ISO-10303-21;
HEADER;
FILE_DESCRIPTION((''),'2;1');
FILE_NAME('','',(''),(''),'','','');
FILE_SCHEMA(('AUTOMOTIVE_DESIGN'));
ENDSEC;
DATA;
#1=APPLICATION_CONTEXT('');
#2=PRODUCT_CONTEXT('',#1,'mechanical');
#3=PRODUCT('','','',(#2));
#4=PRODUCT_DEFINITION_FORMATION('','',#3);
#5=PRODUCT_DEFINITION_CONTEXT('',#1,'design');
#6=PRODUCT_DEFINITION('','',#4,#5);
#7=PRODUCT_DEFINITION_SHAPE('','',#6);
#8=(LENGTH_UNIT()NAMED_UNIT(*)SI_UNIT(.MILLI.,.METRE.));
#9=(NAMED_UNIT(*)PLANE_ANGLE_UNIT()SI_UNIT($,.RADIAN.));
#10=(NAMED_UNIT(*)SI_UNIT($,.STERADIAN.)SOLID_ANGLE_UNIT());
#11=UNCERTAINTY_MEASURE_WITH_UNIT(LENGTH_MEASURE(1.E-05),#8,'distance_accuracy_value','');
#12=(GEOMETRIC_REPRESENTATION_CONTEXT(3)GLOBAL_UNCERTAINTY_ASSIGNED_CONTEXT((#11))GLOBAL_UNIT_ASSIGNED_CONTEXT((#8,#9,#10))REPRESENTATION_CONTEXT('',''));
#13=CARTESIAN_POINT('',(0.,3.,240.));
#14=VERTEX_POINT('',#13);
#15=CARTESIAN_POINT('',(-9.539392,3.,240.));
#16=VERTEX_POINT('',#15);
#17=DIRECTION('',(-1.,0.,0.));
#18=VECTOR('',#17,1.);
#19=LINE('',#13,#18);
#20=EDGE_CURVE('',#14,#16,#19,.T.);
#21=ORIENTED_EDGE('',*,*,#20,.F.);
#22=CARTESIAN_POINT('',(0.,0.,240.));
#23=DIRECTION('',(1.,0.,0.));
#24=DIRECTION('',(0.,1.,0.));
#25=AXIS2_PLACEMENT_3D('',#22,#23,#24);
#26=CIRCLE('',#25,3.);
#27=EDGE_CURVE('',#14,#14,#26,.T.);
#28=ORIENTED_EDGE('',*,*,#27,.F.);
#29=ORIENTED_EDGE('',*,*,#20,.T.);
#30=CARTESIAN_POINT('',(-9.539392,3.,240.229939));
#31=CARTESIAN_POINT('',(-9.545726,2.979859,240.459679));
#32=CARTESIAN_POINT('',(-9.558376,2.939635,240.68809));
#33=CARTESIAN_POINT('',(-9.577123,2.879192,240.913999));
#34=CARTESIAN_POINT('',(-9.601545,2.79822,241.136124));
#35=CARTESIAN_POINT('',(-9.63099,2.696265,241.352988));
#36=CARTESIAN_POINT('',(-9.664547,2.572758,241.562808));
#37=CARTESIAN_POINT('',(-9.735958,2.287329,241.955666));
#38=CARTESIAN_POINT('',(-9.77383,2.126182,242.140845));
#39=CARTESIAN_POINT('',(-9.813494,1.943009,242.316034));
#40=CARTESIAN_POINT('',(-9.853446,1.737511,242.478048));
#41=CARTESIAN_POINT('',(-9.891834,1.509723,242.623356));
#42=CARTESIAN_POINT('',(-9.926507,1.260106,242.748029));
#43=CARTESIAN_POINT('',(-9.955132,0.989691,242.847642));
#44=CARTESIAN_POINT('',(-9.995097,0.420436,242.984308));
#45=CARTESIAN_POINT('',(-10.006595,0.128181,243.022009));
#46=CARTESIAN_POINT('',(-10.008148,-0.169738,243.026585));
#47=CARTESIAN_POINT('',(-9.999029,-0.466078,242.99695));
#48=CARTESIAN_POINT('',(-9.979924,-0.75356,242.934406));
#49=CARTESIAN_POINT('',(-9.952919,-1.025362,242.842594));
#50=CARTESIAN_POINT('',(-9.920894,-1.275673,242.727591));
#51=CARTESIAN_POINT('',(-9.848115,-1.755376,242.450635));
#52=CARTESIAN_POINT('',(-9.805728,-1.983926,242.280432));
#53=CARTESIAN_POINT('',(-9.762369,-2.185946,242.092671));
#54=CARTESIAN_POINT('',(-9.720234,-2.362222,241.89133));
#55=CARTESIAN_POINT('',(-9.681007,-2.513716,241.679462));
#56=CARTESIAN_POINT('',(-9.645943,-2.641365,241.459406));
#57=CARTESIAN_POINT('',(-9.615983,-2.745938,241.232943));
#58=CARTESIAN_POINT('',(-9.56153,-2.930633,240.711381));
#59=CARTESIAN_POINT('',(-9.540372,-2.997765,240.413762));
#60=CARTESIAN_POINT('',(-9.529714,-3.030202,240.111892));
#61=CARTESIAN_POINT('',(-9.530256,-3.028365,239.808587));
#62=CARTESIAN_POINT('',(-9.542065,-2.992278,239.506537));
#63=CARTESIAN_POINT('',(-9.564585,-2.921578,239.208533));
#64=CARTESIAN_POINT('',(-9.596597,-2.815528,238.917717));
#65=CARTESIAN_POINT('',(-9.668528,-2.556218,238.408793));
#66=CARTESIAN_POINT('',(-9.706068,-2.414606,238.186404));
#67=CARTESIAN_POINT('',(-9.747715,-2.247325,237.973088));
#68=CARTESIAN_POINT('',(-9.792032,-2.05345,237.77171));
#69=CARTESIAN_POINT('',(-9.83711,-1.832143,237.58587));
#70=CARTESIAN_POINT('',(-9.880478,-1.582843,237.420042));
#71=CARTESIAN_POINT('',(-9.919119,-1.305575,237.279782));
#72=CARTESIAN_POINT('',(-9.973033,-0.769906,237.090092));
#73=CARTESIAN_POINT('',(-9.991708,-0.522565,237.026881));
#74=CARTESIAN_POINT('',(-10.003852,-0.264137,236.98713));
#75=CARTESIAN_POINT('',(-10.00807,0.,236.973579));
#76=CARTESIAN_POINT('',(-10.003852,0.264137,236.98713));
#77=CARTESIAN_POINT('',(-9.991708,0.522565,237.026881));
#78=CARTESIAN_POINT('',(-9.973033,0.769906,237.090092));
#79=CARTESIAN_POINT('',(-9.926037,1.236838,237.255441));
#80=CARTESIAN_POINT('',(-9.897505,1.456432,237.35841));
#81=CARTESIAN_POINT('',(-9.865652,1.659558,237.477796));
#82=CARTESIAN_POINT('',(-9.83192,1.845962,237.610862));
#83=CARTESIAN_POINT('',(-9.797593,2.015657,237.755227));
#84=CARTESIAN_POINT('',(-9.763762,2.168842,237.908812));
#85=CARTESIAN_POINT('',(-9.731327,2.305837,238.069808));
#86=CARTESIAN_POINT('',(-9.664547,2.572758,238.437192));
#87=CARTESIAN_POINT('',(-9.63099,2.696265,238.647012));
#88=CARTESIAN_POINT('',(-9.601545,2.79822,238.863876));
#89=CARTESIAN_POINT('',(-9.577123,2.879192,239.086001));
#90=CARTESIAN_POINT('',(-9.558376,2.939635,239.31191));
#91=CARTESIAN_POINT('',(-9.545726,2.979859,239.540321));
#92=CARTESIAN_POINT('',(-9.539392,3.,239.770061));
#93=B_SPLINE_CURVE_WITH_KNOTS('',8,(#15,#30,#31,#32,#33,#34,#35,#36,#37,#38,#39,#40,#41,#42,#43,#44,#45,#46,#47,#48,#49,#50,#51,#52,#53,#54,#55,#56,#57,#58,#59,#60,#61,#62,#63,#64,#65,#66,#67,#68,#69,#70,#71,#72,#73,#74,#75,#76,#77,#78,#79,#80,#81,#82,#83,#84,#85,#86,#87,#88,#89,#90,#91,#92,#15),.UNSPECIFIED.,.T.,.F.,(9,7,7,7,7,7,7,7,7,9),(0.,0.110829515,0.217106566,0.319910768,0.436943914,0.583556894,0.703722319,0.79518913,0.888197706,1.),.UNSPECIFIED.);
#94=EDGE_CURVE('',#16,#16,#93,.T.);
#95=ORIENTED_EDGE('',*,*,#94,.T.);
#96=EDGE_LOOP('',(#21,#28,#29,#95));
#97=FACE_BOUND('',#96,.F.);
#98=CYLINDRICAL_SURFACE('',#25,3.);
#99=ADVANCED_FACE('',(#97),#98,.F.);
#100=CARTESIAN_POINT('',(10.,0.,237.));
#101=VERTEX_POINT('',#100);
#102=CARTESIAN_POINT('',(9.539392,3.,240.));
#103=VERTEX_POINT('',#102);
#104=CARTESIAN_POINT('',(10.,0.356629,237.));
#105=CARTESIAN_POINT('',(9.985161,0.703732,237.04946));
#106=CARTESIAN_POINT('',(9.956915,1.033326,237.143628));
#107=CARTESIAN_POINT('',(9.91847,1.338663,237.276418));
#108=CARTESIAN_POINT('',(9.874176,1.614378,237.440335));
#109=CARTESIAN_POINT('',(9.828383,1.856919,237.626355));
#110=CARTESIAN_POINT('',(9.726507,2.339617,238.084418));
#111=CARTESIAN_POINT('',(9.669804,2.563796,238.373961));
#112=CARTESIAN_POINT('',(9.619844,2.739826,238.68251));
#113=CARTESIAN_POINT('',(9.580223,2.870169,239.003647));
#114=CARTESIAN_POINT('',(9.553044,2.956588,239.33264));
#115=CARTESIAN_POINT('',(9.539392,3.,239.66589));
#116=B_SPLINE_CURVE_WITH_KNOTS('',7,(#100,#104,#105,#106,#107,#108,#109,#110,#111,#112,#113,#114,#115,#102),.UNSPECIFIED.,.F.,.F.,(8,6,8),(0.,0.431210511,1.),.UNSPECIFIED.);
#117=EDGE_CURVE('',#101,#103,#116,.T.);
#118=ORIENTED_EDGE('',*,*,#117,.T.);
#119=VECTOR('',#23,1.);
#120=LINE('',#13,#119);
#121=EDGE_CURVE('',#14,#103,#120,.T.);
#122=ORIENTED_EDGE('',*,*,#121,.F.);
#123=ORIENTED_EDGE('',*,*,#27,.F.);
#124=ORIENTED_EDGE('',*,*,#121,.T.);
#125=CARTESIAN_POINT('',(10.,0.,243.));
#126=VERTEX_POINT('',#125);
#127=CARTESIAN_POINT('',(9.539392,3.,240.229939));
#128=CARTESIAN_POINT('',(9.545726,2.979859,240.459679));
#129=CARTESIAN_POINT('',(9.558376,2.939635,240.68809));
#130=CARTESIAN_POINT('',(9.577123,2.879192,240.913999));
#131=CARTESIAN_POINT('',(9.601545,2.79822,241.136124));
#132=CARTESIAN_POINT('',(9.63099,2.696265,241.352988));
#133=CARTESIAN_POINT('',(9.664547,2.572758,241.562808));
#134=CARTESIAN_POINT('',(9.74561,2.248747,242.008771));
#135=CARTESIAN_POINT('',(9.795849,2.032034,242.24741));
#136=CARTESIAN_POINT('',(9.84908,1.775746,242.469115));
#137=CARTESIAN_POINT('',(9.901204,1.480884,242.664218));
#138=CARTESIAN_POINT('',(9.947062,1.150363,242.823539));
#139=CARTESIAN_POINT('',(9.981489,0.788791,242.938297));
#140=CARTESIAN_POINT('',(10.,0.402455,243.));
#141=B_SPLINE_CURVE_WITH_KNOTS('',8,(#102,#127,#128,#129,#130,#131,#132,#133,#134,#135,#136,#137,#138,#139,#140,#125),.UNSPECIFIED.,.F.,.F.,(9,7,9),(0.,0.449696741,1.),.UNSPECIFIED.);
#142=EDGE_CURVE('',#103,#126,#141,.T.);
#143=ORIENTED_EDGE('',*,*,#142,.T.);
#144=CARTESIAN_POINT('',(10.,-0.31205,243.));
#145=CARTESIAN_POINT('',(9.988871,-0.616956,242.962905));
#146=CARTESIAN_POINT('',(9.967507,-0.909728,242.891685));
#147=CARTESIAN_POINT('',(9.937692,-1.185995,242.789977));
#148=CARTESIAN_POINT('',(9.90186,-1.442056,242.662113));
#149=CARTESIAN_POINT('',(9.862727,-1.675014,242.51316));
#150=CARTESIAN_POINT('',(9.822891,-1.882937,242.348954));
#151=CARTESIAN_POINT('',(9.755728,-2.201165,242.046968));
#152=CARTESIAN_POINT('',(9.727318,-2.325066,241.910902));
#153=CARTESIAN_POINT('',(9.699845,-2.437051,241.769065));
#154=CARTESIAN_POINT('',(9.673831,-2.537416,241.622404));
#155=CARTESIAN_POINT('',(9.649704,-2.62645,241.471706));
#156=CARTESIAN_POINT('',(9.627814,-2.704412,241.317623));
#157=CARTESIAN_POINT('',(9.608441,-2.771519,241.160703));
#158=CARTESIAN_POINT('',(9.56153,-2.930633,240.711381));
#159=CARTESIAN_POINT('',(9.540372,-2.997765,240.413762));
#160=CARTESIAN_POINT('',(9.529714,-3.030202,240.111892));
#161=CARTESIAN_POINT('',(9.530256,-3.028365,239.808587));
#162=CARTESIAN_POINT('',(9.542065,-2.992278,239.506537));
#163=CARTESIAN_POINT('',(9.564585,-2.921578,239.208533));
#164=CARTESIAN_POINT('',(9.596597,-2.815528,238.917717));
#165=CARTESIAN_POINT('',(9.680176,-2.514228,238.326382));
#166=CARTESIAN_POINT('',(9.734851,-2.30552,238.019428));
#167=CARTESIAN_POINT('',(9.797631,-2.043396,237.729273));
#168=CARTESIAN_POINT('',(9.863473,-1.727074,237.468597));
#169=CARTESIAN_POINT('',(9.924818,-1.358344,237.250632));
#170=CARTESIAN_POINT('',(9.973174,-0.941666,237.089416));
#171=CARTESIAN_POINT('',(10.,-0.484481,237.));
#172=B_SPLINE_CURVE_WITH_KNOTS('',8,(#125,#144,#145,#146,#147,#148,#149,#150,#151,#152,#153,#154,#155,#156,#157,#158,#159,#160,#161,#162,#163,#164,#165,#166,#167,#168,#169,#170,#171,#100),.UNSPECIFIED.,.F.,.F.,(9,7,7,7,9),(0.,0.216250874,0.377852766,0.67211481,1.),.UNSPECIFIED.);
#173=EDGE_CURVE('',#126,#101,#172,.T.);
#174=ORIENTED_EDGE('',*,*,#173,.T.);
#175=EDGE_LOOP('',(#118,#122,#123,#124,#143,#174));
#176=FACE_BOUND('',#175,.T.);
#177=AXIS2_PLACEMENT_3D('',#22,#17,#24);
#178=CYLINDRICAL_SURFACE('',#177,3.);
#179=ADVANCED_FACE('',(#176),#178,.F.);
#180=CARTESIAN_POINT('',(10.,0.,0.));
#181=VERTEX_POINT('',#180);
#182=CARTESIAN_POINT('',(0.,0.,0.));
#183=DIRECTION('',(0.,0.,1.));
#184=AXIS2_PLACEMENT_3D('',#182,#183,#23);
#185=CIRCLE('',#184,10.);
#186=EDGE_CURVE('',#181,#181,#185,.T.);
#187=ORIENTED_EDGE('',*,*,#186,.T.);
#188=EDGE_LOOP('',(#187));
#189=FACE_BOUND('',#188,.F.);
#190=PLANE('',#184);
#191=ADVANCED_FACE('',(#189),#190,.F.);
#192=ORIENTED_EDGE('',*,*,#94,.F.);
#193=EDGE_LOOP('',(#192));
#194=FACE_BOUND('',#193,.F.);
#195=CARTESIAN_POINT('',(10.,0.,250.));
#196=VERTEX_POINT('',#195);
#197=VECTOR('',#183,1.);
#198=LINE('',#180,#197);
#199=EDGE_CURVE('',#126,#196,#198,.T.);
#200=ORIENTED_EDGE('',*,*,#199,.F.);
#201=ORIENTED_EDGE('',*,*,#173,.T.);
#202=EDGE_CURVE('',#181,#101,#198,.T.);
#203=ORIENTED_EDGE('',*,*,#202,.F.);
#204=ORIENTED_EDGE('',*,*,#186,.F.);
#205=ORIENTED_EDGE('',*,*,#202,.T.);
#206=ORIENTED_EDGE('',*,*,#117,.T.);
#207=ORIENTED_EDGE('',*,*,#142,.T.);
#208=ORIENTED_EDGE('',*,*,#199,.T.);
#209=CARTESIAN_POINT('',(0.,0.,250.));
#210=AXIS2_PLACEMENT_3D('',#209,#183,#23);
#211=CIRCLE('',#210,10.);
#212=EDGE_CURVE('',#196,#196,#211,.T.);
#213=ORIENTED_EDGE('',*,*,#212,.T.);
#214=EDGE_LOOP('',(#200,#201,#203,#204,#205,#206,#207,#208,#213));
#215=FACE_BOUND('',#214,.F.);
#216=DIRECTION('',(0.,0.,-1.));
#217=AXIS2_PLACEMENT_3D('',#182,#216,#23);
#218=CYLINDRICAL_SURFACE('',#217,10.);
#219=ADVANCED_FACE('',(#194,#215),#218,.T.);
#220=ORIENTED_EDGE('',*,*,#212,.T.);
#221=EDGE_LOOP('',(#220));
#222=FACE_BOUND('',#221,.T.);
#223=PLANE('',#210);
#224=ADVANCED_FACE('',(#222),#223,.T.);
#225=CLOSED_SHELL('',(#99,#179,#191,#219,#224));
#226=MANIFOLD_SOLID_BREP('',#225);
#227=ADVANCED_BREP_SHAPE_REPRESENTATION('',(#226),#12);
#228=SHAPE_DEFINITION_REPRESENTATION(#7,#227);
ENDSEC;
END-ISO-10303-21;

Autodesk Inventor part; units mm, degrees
ref_plane "YZ Plane" through (0, 0, 0) normal (1, 0, 0) x (0, 1, 0)
ref_plane "XZ Plane" through (0, 0, 0) normal (0, 1, 0) x (-1, 0, 0)
ref_plane "XY Plane" through (0, 0, 0) normal (0, 0, 1) x (1, 0, 0)
sketch "Sketch1" plane through (0, 0, 0) normal (0, 0, 1) x (1, 0, 0)
  circle A0 centre (0, 0) radius 10
  dimension "d0" = 20
extrude "Extrusion1" add sketch "Sketch1" along normal blind 250
sketch "Sketch2" plane through (0, 0, 0) normal (1, 0, 0) x (0, 1, 0)
  line L0 (10, 250) -> (-10, 250) projected
  line L1 (10, 0) -> (-10, 0) projected
  circle A0 centre (0, 240) radius 3
  point P0 (0, 0)
  point P1 (0, 250)
  dimension "d3" = 6
  dimension "d4" = 10
extrude "Extrusion2" cut sketch "Sketch2" along normal through all both and the other way through all
properties part number "Linear Motor Bar (T-Frame)" material "Aluminum 6061"
